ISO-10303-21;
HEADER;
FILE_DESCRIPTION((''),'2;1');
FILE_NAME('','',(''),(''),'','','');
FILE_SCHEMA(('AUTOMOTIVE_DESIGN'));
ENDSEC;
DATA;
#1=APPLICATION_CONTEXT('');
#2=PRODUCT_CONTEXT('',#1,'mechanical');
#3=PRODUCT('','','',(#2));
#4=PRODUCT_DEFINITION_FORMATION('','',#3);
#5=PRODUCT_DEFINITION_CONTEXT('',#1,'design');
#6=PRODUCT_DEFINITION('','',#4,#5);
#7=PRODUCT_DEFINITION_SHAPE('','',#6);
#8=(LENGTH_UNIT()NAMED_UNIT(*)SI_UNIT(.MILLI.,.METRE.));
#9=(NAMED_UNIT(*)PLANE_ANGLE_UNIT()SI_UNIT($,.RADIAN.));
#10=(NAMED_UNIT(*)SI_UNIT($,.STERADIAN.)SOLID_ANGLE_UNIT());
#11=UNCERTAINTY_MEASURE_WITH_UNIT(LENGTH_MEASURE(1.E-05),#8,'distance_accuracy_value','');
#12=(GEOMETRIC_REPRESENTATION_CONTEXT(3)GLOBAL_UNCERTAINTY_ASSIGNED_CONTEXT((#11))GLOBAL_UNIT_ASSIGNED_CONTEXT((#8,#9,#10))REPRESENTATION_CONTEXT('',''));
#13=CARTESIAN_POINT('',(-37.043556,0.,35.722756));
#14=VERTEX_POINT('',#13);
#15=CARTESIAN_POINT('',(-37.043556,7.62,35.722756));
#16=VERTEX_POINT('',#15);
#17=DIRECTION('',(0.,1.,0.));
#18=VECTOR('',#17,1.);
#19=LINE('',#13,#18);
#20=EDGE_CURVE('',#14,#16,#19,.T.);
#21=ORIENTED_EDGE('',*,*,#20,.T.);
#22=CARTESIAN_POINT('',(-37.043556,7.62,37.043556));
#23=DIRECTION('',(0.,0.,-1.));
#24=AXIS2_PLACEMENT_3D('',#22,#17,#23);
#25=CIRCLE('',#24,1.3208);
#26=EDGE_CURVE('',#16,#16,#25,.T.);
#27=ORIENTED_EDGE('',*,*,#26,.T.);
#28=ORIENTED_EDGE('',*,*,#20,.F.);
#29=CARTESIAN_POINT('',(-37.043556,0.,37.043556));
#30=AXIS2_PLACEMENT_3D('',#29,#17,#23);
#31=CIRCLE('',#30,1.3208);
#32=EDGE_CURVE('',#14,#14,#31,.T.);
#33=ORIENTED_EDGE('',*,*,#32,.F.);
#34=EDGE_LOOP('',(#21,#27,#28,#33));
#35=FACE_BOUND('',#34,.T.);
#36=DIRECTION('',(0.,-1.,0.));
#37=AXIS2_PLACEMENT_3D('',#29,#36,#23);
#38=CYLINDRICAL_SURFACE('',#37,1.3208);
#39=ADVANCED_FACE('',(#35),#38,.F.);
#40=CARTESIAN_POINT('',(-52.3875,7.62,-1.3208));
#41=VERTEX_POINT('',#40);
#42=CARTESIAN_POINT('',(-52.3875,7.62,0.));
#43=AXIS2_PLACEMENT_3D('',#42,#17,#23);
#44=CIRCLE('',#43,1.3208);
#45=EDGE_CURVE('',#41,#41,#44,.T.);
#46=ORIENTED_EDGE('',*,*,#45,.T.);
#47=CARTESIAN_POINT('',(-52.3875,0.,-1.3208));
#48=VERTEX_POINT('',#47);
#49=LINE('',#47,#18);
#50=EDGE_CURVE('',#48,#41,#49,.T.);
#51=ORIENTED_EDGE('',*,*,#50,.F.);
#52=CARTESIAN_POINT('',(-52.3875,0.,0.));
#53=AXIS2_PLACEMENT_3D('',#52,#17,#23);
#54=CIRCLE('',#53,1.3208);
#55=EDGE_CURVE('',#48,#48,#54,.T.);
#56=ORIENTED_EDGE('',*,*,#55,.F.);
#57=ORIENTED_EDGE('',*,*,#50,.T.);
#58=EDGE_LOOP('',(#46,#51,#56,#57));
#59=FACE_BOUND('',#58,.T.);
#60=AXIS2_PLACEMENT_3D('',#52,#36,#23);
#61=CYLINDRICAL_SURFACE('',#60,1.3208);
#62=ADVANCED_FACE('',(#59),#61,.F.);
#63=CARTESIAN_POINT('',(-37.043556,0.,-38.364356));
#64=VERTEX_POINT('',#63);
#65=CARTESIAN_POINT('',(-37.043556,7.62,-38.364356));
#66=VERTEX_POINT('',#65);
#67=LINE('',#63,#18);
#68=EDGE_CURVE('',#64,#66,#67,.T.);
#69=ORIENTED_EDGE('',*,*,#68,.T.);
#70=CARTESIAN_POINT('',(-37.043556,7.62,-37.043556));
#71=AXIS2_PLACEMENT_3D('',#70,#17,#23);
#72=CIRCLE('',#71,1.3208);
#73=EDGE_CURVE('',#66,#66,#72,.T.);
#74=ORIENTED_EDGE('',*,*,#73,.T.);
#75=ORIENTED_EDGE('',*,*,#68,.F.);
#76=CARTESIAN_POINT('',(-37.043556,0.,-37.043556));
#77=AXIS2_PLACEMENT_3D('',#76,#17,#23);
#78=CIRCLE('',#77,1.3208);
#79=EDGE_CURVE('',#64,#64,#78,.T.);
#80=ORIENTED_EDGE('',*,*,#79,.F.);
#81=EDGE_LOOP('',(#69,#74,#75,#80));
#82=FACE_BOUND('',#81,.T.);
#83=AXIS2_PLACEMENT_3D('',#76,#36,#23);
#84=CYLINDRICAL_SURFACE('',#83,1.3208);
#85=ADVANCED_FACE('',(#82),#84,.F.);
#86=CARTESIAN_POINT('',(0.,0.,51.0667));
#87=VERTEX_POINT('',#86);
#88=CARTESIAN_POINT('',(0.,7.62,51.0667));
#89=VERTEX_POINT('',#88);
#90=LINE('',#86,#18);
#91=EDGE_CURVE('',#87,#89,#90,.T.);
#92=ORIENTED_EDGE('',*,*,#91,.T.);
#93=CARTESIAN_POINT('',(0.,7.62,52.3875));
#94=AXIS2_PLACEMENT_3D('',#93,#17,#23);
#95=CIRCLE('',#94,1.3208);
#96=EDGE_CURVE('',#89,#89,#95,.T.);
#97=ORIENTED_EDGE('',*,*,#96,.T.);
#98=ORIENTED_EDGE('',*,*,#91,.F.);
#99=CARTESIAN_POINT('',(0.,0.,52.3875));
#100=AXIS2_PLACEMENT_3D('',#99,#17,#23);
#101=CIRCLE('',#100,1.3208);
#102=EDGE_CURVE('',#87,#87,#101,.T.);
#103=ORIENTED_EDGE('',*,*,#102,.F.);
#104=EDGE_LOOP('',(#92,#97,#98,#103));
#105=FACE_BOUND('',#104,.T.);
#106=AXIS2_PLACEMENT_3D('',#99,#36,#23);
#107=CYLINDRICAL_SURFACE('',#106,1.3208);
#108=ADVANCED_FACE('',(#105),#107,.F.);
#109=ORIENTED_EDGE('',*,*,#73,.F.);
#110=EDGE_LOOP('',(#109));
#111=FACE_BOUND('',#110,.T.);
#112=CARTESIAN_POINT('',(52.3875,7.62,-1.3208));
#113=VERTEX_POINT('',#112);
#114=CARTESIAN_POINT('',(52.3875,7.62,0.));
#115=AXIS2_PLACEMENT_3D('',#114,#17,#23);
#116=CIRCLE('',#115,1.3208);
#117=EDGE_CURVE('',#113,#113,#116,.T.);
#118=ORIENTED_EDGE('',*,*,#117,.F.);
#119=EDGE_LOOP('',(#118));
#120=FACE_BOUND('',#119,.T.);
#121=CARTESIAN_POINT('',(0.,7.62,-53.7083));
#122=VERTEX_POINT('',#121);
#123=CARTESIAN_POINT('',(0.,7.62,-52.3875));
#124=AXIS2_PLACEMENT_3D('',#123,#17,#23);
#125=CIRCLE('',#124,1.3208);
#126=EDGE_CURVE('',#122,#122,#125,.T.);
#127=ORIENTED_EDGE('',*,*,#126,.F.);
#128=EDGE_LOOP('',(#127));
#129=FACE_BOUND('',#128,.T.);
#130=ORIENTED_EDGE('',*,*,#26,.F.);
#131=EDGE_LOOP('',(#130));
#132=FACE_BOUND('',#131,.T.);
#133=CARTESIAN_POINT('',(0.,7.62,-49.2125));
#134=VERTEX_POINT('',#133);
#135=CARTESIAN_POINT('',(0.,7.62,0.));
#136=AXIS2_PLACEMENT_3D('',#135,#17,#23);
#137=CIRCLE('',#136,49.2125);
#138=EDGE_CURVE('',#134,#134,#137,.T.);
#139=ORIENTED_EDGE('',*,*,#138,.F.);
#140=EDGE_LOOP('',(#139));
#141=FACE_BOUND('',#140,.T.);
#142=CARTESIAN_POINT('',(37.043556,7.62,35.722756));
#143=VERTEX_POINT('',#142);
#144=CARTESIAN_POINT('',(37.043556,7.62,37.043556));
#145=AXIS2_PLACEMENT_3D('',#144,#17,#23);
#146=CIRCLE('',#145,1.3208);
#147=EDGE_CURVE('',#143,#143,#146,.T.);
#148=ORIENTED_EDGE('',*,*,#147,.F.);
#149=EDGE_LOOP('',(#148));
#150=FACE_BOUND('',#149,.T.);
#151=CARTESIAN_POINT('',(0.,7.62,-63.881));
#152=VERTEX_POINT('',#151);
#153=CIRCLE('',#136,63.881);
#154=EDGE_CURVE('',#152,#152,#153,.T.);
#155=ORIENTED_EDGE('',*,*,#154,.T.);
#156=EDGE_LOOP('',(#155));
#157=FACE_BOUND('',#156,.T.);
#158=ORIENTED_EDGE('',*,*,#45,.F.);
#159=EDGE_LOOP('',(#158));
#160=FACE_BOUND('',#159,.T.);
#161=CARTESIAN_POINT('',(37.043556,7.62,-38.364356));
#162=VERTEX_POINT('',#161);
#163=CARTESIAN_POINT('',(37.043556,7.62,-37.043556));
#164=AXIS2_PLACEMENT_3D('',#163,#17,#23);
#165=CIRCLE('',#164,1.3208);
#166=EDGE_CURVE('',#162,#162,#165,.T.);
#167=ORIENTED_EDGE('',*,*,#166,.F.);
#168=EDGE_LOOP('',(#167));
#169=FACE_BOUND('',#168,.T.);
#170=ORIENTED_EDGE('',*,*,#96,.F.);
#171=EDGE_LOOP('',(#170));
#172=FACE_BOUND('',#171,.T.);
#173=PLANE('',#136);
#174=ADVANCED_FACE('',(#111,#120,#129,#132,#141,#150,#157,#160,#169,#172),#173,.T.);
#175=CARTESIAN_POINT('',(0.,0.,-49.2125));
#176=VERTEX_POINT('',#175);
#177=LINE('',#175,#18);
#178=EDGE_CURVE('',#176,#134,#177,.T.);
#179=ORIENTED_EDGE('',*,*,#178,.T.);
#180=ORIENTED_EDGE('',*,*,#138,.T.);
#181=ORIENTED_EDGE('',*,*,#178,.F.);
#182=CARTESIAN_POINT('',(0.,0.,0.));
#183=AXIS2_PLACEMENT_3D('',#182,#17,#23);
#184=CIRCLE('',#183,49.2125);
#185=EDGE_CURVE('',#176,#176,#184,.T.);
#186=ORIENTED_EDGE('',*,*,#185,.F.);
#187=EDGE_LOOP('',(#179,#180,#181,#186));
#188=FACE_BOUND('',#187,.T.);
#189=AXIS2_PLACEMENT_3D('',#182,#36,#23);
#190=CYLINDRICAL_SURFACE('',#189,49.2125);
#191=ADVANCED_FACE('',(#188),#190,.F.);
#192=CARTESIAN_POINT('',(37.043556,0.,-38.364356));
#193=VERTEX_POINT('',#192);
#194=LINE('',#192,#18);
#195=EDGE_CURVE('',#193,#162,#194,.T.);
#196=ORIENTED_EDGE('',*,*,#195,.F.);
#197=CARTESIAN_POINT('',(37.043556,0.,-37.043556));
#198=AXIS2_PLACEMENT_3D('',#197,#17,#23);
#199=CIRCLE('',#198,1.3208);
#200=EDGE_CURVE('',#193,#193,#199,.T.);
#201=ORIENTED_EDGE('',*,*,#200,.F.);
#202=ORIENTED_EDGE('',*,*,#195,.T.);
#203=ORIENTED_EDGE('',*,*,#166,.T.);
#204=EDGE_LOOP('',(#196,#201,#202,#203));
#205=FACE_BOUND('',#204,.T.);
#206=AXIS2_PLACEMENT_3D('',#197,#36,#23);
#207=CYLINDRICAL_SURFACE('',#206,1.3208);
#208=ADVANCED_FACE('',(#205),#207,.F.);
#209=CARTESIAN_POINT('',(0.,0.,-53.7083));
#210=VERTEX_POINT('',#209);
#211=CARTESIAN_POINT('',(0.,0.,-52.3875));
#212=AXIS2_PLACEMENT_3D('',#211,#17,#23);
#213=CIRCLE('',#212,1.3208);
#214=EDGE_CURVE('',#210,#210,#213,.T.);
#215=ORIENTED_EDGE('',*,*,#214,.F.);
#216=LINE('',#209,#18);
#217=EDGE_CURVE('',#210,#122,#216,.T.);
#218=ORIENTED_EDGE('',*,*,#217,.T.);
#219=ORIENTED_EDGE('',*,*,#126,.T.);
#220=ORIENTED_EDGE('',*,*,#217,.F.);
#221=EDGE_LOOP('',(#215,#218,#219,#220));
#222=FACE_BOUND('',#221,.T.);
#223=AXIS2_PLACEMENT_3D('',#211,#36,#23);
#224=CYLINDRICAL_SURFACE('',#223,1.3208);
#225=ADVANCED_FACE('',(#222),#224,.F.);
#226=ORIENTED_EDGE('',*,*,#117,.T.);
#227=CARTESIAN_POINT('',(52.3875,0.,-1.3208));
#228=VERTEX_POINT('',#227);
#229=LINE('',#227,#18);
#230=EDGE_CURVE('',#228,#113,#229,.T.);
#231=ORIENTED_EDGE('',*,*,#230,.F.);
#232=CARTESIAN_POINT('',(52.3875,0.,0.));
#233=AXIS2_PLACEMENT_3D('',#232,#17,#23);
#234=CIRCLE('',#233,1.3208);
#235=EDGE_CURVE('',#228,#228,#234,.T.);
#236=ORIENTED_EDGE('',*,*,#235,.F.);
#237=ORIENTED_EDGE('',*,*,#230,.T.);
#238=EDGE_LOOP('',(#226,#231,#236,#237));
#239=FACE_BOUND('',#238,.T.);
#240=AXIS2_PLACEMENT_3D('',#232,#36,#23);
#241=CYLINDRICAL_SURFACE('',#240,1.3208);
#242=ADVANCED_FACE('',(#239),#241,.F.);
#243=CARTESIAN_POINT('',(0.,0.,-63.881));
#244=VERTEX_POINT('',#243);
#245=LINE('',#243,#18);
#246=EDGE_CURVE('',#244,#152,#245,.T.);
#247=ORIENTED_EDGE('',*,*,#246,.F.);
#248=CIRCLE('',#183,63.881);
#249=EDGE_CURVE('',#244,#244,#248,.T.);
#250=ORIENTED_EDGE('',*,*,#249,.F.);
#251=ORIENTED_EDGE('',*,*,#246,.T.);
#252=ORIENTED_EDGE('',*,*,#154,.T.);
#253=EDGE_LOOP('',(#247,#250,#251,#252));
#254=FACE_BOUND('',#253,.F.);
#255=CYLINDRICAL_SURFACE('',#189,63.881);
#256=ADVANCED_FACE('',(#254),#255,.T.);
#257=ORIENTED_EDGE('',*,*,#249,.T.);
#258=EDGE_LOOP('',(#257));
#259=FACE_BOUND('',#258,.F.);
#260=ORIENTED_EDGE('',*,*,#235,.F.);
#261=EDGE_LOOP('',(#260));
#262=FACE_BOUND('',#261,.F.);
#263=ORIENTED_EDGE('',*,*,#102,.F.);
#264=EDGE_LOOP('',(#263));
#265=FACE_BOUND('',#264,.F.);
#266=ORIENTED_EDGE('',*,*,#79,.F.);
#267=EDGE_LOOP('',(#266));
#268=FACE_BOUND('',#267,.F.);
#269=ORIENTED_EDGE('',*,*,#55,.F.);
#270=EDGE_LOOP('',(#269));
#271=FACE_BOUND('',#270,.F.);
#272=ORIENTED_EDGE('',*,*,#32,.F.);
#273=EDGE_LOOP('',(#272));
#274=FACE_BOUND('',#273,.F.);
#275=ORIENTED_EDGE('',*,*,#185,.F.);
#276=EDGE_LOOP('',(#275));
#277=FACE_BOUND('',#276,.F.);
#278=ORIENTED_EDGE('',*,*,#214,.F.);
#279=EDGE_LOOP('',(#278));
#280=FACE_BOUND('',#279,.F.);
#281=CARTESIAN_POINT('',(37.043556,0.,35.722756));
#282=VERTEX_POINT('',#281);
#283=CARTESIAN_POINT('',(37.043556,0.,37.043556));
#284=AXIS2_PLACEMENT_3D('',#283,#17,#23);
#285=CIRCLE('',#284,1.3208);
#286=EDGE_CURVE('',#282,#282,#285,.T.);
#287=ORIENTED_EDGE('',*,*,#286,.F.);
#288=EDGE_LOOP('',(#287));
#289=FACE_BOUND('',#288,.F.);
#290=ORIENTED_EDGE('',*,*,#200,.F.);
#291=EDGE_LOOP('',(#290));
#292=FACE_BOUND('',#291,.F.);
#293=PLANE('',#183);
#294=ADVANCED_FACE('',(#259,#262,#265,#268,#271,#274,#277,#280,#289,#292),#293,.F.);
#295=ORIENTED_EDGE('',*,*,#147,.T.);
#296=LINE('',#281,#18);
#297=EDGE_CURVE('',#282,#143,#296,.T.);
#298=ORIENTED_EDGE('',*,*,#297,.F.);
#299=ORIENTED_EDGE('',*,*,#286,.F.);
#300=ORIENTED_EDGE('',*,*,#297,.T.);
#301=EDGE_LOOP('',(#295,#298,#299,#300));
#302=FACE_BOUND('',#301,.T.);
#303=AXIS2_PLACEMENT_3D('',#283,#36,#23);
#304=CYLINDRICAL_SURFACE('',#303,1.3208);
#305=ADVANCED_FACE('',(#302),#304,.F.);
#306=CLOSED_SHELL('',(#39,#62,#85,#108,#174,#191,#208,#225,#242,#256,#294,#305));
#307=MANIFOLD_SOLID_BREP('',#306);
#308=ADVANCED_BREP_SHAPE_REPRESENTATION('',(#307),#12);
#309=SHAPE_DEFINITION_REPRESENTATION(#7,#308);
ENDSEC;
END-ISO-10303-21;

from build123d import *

# Parameters (mm, degrees)
SKETCH1_R           = 63.881
SKETCH1_R_2         = 49.2125
SKETCH1_R_3         = 1.3208
BOSS_EXTRUDE1_DEPTH = 7.62


with BuildPart() as part:
    # Sketch1 → Boss-Extrude1 (new body)
    with BuildSketch(Plane(origin=(0, 0, 0), x_dir=(1, 0, 0), z_dir=(0, 1, 0))):
        with Locations(Location((0, 0, 0), (0, 0, 90))):
            Circle(SKETCH1_R)
        with Locations(Location((0, 0, 0), (0, 0, 90))):
            Circle(SKETCH1_R_2, mode=Mode.SUBTRACT)
        with Locations(Location((0, -52.3875, 0), (0, 0, 90))):
            Circle(SKETCH1_R_3, mode=Mode.SUBTRACT)
        with Locations(Location((-37.043556499, -37.043556499, 0), (0, 0, 90))):
            Circle(SKETCH1_R_3, mode=Mode.SUBTRACT)
        with Locations(Location((-52.3875, 0, 0), (0, 0, 90))):
            Circle(SKETCH1_R_3, mode=Mode.SUBTRACT)
        with Locations(Location((-37.043556499, 37.043556499, 0), (0, 0, 90))):
            Circle(SKETCH1_R_3, mode=Mode.SUBTRACT)
        with Locations(Location((0, 52.3875, 0), (0, 0, 90))):
            Circle(SKETCH1_R_3, mode=Mode.SUBTRACT)
        with Locations(Location((37.043556499, 37.043556499, 0), (0, 0, 90))):
            Circle(SKETCH1_R_3, mode=Mode.SUBTRACT)
        with Locations(Location((52.3875, 0, 0), (0, 0, 90))):
            Circle(SKETCH1_R_3, mode=Mode.SUBTRACT)
        with Locations(Location((37.043556499, -37.043556499, 0), (0, 0, 90))):
            Circle(SKETCH1_R_3, mode=Mode.SUBTRACT)
    extrude(amount=BOSS_EXTRUDE1_DEPTH)


solid = part.part
